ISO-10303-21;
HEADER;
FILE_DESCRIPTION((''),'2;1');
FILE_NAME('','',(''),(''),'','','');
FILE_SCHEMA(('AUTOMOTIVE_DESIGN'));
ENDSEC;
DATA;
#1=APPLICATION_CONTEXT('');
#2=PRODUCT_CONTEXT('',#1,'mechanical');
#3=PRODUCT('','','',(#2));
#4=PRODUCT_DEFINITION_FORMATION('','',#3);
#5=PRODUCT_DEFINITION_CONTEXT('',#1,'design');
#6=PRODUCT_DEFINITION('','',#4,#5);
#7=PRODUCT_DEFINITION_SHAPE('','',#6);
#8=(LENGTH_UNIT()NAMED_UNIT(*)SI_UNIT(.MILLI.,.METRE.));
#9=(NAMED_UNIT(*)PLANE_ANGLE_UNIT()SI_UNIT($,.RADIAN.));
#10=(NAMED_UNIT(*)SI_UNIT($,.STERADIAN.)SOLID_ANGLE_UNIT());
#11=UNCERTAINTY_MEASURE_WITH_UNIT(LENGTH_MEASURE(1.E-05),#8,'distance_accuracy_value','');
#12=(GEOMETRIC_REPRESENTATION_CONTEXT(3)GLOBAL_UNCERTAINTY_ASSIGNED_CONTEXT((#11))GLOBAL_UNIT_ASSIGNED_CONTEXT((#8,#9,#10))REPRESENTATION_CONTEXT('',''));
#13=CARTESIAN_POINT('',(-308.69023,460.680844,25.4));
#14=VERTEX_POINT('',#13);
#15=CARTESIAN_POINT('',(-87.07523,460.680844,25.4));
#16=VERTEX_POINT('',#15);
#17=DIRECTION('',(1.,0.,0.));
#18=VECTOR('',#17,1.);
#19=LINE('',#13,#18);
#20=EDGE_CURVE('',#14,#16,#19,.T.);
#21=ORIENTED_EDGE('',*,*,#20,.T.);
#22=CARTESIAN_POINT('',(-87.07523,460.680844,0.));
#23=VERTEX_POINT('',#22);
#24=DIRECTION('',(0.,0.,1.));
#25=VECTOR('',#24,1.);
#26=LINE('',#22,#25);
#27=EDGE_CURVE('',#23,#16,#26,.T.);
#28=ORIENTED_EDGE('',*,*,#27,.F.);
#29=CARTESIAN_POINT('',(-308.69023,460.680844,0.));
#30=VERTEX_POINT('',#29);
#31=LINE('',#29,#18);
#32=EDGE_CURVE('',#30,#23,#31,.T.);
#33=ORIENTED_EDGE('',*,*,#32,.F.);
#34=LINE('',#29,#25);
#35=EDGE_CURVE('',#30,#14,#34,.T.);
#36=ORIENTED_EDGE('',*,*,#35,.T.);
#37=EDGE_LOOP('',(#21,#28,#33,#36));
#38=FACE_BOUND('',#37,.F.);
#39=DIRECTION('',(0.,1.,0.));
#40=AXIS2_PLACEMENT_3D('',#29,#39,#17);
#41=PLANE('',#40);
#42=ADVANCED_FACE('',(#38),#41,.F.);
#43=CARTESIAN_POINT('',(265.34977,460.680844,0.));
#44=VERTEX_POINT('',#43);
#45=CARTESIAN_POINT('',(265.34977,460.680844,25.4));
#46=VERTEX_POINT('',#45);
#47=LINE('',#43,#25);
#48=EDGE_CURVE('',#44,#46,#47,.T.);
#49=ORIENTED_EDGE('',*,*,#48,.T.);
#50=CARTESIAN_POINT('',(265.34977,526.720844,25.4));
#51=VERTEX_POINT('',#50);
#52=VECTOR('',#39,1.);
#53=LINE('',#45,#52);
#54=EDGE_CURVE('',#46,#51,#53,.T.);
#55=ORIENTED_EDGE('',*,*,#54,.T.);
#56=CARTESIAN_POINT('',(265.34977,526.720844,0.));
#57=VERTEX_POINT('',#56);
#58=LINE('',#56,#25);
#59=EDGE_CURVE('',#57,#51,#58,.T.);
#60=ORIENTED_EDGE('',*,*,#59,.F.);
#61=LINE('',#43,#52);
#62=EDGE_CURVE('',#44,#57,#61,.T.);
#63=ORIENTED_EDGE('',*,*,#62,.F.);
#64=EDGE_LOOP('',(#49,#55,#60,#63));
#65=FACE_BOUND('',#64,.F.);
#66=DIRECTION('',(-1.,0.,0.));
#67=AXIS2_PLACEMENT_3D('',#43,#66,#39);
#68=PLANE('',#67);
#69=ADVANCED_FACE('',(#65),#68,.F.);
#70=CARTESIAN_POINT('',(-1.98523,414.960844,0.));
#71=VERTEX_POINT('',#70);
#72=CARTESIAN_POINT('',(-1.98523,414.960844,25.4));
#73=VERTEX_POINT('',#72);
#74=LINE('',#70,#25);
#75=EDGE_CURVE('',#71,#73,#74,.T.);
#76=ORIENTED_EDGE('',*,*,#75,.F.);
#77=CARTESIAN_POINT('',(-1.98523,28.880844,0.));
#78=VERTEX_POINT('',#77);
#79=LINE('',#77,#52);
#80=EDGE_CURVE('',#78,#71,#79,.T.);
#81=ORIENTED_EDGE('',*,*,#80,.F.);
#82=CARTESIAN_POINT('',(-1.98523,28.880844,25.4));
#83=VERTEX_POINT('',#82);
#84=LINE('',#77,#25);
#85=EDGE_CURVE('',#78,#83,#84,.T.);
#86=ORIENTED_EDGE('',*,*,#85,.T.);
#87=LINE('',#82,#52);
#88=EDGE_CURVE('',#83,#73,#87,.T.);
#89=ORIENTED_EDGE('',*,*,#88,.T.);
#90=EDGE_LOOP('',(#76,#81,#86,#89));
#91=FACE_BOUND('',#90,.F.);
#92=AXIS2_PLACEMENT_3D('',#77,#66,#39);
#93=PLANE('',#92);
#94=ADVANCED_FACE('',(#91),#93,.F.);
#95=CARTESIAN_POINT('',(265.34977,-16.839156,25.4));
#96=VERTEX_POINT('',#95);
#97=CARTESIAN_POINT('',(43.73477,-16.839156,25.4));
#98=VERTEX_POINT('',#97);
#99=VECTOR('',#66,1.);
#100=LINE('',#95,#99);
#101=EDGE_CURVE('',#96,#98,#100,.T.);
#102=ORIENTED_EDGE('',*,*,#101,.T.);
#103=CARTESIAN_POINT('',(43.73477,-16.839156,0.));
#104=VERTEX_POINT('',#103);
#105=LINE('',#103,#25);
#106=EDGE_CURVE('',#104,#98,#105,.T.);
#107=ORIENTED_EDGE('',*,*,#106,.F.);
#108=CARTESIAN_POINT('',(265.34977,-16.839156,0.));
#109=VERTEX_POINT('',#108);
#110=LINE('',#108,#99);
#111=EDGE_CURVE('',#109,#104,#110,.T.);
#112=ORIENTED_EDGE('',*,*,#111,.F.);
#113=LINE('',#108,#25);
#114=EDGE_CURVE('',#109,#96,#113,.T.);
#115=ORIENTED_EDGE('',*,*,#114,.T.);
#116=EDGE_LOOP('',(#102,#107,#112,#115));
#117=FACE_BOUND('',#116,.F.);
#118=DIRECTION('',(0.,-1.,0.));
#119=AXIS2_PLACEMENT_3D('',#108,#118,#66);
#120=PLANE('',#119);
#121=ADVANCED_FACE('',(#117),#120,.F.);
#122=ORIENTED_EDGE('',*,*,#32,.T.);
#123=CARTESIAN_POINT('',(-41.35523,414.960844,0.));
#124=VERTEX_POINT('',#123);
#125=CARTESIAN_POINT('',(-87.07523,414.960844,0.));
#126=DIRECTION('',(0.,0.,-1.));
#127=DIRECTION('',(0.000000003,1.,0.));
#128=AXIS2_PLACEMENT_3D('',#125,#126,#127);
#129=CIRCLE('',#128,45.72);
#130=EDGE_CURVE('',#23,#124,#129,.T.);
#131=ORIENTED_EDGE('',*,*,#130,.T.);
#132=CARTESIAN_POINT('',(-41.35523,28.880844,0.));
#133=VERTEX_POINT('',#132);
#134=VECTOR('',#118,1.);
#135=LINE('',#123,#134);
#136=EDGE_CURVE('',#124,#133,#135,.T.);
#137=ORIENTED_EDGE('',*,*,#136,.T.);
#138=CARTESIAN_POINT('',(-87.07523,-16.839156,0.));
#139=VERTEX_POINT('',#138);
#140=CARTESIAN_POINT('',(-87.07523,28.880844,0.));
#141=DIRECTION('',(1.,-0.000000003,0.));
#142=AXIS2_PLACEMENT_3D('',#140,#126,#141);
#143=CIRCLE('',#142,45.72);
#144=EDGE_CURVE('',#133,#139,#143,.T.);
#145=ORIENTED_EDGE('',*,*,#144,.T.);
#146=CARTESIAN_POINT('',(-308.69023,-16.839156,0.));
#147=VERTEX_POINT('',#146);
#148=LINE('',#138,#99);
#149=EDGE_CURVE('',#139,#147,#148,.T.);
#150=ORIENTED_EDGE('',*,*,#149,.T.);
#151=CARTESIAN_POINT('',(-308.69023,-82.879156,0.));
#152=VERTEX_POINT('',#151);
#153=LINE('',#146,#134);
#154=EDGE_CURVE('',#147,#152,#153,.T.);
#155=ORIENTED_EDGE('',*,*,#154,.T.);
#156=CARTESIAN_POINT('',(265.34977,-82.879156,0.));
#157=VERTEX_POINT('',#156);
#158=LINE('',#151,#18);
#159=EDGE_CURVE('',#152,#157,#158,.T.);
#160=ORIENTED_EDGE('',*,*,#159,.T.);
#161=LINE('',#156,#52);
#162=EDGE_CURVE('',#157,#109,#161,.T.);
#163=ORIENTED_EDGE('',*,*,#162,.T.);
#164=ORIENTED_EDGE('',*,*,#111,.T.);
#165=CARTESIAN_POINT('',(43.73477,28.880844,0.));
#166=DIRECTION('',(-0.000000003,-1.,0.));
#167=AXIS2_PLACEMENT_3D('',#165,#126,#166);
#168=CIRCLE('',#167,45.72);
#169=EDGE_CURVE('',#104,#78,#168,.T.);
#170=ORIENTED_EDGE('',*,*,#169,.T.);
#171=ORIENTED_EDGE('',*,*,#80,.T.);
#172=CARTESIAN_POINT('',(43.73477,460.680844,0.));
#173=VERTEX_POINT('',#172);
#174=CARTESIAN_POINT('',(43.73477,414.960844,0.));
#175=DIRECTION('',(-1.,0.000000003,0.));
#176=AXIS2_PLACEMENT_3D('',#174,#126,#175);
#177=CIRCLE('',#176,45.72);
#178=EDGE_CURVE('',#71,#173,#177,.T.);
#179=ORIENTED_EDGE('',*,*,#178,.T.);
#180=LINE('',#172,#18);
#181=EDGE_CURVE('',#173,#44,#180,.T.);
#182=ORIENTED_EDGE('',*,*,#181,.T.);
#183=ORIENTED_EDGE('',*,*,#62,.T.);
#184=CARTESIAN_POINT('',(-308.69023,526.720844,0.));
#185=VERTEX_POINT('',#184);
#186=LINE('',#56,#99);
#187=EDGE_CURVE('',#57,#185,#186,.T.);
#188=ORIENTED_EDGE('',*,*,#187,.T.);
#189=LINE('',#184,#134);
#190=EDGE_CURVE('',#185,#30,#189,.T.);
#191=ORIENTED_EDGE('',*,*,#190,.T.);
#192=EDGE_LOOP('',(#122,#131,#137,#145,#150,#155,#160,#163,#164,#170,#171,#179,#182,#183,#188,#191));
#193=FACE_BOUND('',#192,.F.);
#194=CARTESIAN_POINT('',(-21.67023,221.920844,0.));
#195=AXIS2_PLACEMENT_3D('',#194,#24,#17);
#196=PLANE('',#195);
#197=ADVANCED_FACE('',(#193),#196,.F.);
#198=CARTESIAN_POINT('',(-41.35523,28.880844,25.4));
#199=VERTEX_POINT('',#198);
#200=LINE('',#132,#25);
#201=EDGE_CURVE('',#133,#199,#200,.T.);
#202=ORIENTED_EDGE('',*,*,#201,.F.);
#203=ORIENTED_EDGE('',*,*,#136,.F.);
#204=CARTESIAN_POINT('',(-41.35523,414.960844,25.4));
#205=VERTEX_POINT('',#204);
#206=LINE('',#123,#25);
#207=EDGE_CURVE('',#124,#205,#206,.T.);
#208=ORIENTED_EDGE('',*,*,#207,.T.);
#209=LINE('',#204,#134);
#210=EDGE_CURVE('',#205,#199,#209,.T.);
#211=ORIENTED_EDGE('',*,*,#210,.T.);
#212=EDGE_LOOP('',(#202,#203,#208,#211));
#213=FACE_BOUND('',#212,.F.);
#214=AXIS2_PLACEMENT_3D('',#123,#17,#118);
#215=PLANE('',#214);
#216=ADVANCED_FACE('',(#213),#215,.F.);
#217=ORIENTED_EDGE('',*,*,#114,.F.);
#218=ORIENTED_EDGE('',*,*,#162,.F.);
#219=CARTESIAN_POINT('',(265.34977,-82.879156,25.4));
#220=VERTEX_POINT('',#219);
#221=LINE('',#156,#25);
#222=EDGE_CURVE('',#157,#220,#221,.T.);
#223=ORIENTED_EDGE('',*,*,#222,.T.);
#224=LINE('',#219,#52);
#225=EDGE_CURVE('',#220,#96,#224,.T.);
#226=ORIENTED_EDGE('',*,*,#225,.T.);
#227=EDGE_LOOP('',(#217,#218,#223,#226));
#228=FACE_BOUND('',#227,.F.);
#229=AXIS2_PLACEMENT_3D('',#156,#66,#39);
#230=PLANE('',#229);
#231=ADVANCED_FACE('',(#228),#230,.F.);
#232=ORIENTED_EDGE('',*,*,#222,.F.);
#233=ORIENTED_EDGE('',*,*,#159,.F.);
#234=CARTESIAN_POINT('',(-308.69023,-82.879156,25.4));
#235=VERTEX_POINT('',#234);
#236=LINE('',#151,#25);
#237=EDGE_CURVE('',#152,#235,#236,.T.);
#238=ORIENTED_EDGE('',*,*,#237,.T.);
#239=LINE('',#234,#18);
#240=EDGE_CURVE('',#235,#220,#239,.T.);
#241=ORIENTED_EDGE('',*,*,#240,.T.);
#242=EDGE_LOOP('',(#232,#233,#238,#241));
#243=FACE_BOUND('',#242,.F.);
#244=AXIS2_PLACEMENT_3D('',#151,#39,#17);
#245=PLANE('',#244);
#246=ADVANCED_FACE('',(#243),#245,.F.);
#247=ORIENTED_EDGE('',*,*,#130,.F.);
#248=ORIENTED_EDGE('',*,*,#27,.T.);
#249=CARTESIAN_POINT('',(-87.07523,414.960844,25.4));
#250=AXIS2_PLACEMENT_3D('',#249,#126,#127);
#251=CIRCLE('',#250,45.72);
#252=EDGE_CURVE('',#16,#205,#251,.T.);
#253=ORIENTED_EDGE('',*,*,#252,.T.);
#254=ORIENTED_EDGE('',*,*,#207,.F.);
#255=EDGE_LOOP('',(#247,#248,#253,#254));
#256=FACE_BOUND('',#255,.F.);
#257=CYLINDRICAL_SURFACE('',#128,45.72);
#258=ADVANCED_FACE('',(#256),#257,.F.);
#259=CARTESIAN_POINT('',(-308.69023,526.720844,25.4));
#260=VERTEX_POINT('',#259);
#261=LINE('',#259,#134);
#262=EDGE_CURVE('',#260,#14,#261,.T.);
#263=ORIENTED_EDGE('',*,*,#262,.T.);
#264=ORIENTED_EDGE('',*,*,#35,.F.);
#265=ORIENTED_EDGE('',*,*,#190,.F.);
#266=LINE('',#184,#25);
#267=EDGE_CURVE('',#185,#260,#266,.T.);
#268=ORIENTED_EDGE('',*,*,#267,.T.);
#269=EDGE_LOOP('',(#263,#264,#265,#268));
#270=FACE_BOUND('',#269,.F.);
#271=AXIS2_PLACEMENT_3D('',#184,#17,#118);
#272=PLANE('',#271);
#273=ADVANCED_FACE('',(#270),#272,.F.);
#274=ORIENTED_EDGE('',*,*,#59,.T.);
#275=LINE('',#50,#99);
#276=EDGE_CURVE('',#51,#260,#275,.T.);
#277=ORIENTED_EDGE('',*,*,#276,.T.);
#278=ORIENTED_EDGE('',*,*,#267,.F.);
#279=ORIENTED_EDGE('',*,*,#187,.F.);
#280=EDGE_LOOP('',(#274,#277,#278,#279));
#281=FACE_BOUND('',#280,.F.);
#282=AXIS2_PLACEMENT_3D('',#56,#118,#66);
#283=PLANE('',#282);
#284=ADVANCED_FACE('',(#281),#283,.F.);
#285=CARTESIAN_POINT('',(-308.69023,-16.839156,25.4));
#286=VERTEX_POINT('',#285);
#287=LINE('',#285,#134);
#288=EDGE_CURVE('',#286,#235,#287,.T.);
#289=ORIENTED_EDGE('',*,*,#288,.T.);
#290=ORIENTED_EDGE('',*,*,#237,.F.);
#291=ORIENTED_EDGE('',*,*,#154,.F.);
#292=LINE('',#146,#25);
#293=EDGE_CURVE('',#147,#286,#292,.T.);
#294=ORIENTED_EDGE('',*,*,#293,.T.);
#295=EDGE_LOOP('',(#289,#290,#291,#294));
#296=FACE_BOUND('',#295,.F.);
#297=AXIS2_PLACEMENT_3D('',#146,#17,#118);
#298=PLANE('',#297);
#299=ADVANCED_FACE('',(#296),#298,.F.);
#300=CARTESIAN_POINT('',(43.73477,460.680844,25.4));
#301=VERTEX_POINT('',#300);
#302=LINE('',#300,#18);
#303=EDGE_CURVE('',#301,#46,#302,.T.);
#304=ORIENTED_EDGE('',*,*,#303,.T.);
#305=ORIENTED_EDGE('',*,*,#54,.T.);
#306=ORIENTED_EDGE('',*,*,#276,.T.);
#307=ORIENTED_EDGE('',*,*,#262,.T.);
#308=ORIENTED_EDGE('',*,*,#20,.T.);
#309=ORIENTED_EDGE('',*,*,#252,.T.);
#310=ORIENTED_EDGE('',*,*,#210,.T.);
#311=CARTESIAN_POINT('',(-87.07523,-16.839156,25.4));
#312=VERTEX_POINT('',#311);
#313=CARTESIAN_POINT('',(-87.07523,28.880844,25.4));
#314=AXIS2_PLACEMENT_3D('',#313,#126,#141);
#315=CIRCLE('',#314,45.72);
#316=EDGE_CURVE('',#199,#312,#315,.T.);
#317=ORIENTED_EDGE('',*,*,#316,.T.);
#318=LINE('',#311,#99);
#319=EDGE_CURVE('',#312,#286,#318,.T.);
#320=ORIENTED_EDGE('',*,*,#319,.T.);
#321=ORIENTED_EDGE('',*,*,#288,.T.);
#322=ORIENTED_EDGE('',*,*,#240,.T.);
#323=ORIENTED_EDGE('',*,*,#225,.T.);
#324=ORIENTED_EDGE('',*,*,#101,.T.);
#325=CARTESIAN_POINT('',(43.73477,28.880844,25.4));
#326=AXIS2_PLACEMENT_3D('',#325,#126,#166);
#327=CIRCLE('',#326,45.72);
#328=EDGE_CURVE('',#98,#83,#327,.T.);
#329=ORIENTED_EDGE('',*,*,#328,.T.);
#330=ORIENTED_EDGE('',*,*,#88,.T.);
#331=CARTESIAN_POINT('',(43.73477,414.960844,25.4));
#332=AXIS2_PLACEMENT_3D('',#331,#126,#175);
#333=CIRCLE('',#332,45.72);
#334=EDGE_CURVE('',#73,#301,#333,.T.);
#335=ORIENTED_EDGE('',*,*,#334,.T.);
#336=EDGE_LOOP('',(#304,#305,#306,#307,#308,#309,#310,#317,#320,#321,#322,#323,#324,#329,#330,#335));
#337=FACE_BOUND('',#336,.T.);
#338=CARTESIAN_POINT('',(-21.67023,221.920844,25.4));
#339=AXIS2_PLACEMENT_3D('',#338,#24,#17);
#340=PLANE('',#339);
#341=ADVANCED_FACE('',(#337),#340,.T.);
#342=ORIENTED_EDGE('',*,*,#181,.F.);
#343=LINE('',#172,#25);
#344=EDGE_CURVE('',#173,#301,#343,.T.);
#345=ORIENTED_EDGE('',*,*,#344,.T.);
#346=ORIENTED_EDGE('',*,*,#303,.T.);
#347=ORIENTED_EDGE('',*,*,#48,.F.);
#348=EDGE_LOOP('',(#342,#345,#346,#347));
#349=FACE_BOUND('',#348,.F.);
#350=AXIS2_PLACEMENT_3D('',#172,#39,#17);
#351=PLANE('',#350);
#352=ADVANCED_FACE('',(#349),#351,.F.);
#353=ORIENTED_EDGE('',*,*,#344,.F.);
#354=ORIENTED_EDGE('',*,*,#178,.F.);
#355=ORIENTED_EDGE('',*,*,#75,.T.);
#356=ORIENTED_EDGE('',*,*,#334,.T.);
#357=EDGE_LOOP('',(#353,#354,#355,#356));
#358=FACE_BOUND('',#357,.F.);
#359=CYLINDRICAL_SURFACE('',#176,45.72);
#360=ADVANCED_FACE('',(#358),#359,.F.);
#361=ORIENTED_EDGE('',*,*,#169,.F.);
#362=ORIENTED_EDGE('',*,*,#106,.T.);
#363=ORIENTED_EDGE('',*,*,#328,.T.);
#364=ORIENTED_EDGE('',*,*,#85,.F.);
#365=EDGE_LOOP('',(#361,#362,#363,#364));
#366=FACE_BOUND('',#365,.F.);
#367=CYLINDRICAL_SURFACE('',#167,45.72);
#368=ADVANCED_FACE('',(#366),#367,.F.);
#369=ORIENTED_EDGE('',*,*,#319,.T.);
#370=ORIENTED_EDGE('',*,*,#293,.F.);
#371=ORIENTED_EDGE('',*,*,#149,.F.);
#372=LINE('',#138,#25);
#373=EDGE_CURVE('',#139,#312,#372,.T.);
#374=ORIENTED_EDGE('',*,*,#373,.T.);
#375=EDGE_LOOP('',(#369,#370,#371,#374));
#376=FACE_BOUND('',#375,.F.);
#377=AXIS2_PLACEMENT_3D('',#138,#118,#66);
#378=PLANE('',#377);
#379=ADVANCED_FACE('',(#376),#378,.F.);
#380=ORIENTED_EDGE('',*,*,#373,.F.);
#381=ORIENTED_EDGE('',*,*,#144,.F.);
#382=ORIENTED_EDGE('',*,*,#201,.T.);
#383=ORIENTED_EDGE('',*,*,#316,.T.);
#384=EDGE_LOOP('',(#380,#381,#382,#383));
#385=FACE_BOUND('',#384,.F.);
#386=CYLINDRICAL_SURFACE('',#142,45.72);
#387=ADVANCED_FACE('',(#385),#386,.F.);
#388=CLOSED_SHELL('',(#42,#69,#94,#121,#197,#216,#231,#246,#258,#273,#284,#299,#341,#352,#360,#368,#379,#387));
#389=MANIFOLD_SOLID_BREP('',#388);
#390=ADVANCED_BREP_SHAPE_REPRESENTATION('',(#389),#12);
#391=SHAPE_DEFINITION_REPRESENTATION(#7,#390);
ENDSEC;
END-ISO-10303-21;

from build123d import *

# Parameters (mm, degrees)
F1_DEPTH = 25.4


with BuildPart() as f1:
    # F0 (on Top) → F1 (new body)
    with BuildSketch(Plane.XY):
        with BuildLine():
            Line((-308.69023, -16.839156), (-308.69023, -82.879156))
            Line((-308.69023, -82.879156), (265.34977, -82.879156))
            Line((265.34977, -82.879156), (265.34977, -16.839156))
            Line((265.34977, -16.839156), (43.73477, -16.839156))
            ThreePointArc((43.73477, -16.839156), (11.405848, -3.448078), (-1.98523, 28.880844))
            Line((-1.98523, 28.880844), (-1.98523, 414.960844))
            ThreePointArc((-1.98523, 414.960844), (11.405848, 447.289766), (43.73477, 460.680844))
            Line((43.73477, 460.680844), (265.34977, 460.680844))
            Line((265.34977, 460.680844), (265.34977, 526.720844))
            Line((265.34977, 526.720844), (-308.69023, 526.720844))
            Line((-308.69023, 526.720844), (-308.69023, 460.680844))
            Line((-308.69023, 460.680844), (-87.07523, 460.680844))
            ThreePointArc((-87.07523, 460.680844), (-54.746308, 447.289766), (-41.35523, 414.960844))
            Line((-41.35523, 414.960844), (-41.35523, 301.353365))
            Line((-41.35523, 301.353365), (-41.35523, 28.880844))
            ThreePointArc((-41.35523, 28.880844), (-54.746308, -3.448078), (-87.07523, -16.839156))
            Line((-87.07523, -16.839156), (-308.69023, -16.839156))
        make_face()
    extrude(amount=F1_DEPTH)


solid = f1.part
